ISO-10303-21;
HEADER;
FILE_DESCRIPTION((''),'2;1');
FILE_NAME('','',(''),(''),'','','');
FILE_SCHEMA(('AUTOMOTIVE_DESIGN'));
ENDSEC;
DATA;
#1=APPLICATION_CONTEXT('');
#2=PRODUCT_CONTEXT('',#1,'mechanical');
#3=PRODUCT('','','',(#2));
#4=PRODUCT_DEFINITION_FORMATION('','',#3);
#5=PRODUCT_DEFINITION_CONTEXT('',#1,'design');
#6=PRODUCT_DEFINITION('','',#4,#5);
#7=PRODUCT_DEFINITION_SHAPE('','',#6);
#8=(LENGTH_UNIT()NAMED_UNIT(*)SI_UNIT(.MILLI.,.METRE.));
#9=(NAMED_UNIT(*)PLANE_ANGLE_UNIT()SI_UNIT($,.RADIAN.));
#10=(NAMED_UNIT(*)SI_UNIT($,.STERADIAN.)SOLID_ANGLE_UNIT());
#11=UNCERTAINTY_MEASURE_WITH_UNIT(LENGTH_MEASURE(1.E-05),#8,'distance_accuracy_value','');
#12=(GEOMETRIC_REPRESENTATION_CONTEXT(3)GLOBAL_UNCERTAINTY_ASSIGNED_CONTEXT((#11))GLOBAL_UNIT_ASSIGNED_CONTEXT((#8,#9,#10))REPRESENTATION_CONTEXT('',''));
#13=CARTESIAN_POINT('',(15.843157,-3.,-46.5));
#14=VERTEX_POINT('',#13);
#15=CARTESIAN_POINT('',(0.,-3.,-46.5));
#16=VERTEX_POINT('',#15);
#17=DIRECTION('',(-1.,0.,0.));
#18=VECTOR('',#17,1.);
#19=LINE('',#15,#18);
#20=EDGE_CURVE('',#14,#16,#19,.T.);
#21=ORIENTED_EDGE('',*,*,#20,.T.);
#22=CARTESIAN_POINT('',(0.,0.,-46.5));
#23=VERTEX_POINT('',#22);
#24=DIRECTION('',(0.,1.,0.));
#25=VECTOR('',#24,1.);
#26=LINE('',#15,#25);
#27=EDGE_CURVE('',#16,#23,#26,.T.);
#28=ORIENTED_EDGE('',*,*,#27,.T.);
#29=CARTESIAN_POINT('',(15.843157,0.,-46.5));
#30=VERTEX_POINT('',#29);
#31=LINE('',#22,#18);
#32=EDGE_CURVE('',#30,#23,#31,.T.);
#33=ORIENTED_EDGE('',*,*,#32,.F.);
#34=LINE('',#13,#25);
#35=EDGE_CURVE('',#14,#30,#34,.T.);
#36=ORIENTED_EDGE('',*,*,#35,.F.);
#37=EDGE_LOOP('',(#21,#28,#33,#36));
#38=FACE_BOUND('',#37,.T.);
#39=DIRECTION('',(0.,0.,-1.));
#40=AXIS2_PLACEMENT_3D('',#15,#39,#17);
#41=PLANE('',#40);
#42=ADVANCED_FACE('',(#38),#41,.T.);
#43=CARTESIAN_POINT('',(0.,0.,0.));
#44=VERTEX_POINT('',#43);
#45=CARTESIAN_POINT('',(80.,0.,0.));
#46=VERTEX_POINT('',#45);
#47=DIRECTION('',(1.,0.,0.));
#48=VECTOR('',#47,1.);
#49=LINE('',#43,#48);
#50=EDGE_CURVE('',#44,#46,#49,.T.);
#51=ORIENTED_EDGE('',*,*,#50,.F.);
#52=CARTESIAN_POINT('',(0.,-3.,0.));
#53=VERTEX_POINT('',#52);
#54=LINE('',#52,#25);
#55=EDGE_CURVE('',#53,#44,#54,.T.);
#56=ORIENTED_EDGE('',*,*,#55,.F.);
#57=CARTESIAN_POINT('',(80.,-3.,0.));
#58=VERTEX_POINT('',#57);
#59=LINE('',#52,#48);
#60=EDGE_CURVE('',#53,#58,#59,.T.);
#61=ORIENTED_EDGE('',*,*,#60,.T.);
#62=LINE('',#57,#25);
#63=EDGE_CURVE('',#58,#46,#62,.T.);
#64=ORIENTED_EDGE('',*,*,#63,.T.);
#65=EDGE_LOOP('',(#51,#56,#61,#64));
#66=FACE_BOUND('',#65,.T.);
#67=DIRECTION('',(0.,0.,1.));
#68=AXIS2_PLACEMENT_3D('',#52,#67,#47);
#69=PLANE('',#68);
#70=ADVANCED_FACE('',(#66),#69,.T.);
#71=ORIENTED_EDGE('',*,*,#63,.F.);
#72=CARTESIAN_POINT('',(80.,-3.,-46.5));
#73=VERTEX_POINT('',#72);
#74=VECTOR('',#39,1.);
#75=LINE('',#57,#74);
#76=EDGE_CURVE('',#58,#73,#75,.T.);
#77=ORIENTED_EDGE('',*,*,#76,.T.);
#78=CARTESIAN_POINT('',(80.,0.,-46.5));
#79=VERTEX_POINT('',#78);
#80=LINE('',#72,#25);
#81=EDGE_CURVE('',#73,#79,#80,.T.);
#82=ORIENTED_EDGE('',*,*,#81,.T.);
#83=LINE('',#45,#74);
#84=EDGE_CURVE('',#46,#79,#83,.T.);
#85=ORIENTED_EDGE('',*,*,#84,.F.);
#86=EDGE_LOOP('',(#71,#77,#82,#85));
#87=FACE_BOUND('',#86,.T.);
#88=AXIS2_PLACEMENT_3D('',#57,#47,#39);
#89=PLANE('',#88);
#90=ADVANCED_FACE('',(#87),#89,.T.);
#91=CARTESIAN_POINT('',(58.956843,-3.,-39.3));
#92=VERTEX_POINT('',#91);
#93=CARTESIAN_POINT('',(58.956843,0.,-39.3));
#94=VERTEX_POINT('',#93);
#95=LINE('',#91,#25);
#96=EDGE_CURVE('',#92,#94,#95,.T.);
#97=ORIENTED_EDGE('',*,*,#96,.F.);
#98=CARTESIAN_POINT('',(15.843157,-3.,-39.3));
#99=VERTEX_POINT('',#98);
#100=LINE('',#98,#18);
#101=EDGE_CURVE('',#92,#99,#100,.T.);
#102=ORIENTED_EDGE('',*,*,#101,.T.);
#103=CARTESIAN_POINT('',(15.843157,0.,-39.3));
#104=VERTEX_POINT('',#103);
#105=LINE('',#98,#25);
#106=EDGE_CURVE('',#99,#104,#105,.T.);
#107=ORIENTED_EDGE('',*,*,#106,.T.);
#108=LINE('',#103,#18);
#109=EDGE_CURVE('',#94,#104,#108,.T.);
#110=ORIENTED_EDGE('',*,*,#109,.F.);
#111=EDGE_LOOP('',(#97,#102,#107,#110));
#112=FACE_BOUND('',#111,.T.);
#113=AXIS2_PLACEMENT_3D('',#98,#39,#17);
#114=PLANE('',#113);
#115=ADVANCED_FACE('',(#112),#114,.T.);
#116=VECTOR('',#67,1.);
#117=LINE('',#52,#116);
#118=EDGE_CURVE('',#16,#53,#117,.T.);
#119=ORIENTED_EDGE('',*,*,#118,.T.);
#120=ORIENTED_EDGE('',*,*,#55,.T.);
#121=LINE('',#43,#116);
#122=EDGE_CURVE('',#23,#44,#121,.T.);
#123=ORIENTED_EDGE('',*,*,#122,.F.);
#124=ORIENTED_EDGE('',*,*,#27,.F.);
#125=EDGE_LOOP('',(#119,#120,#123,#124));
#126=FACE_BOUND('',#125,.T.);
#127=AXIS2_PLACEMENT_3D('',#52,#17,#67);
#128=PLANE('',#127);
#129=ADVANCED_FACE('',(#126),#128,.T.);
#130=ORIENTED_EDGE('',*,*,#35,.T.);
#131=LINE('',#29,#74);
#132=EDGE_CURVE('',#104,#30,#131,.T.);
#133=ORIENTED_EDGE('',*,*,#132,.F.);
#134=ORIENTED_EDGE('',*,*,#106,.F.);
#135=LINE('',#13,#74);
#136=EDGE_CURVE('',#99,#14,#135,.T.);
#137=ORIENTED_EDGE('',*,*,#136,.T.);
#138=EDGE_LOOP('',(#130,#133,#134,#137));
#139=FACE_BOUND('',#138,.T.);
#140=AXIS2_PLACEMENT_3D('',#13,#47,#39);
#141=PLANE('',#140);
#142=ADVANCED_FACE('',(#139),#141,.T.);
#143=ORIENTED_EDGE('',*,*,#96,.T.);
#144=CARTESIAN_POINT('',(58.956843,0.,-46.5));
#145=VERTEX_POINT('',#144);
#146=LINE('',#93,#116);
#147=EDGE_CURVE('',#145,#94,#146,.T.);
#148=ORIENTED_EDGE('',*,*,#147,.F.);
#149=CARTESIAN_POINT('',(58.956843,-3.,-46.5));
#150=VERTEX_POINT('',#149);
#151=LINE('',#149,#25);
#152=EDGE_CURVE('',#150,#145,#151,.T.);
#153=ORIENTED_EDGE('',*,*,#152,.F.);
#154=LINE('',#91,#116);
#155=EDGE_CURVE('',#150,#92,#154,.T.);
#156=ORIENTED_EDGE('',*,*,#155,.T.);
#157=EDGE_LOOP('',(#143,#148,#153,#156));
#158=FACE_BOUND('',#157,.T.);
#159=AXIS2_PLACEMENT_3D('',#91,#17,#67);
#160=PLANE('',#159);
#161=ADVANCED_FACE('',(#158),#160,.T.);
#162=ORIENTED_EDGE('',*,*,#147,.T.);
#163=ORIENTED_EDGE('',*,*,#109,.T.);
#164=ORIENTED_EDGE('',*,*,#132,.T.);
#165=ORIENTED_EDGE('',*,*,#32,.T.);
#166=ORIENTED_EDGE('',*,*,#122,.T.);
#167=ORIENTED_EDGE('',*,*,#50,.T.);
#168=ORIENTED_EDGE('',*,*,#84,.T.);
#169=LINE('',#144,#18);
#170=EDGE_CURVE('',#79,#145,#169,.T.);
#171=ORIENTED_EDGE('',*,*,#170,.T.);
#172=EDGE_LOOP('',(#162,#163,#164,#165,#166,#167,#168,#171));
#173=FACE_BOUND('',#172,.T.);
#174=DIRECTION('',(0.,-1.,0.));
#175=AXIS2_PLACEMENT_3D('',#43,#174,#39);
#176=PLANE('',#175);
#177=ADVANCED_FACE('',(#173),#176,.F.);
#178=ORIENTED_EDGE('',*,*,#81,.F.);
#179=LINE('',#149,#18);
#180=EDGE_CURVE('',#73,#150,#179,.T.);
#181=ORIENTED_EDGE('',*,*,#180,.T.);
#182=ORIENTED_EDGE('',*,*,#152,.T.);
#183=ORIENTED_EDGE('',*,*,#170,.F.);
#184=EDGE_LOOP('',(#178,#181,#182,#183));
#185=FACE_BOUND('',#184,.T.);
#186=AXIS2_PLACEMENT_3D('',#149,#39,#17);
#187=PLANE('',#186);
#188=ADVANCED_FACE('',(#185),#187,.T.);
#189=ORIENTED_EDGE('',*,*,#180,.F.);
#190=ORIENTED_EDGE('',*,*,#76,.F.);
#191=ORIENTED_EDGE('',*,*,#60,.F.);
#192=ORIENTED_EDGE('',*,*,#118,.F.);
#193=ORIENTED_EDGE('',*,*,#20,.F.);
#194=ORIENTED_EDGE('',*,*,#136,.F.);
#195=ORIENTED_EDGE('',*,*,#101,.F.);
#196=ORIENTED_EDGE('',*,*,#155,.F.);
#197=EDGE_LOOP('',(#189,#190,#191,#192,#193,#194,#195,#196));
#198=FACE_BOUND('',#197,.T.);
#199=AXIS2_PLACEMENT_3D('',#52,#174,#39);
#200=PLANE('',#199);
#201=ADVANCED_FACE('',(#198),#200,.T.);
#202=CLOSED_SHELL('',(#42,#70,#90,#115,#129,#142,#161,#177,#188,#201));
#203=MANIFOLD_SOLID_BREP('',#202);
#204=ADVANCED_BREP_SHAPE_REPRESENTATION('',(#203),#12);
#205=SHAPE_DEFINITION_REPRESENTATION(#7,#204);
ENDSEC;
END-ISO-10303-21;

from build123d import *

# Parameters (mm, degrees)
BOSS_EXTRUDE1_DEPTH = 3


with BuildPart() as part:
    # Sketch1 → Boss-Extrude1 (new body)
    with BuildSketch(Plane(origin=(0, 0, 0), x_dir=(1, 0, 0), z_dir=(0, 1, 0))):
        Polygon((15.843156539, 46.5), (15.843156539, 39.3), (58.956843461, 39.3), (58.956843461, 46.5), (80, 46.5), (80, 0), (0, 0), (0, 46.5), align=None)
    extrude(amount=-BOSS_EXTRUDE1_DEPTH)


solid = part.part
